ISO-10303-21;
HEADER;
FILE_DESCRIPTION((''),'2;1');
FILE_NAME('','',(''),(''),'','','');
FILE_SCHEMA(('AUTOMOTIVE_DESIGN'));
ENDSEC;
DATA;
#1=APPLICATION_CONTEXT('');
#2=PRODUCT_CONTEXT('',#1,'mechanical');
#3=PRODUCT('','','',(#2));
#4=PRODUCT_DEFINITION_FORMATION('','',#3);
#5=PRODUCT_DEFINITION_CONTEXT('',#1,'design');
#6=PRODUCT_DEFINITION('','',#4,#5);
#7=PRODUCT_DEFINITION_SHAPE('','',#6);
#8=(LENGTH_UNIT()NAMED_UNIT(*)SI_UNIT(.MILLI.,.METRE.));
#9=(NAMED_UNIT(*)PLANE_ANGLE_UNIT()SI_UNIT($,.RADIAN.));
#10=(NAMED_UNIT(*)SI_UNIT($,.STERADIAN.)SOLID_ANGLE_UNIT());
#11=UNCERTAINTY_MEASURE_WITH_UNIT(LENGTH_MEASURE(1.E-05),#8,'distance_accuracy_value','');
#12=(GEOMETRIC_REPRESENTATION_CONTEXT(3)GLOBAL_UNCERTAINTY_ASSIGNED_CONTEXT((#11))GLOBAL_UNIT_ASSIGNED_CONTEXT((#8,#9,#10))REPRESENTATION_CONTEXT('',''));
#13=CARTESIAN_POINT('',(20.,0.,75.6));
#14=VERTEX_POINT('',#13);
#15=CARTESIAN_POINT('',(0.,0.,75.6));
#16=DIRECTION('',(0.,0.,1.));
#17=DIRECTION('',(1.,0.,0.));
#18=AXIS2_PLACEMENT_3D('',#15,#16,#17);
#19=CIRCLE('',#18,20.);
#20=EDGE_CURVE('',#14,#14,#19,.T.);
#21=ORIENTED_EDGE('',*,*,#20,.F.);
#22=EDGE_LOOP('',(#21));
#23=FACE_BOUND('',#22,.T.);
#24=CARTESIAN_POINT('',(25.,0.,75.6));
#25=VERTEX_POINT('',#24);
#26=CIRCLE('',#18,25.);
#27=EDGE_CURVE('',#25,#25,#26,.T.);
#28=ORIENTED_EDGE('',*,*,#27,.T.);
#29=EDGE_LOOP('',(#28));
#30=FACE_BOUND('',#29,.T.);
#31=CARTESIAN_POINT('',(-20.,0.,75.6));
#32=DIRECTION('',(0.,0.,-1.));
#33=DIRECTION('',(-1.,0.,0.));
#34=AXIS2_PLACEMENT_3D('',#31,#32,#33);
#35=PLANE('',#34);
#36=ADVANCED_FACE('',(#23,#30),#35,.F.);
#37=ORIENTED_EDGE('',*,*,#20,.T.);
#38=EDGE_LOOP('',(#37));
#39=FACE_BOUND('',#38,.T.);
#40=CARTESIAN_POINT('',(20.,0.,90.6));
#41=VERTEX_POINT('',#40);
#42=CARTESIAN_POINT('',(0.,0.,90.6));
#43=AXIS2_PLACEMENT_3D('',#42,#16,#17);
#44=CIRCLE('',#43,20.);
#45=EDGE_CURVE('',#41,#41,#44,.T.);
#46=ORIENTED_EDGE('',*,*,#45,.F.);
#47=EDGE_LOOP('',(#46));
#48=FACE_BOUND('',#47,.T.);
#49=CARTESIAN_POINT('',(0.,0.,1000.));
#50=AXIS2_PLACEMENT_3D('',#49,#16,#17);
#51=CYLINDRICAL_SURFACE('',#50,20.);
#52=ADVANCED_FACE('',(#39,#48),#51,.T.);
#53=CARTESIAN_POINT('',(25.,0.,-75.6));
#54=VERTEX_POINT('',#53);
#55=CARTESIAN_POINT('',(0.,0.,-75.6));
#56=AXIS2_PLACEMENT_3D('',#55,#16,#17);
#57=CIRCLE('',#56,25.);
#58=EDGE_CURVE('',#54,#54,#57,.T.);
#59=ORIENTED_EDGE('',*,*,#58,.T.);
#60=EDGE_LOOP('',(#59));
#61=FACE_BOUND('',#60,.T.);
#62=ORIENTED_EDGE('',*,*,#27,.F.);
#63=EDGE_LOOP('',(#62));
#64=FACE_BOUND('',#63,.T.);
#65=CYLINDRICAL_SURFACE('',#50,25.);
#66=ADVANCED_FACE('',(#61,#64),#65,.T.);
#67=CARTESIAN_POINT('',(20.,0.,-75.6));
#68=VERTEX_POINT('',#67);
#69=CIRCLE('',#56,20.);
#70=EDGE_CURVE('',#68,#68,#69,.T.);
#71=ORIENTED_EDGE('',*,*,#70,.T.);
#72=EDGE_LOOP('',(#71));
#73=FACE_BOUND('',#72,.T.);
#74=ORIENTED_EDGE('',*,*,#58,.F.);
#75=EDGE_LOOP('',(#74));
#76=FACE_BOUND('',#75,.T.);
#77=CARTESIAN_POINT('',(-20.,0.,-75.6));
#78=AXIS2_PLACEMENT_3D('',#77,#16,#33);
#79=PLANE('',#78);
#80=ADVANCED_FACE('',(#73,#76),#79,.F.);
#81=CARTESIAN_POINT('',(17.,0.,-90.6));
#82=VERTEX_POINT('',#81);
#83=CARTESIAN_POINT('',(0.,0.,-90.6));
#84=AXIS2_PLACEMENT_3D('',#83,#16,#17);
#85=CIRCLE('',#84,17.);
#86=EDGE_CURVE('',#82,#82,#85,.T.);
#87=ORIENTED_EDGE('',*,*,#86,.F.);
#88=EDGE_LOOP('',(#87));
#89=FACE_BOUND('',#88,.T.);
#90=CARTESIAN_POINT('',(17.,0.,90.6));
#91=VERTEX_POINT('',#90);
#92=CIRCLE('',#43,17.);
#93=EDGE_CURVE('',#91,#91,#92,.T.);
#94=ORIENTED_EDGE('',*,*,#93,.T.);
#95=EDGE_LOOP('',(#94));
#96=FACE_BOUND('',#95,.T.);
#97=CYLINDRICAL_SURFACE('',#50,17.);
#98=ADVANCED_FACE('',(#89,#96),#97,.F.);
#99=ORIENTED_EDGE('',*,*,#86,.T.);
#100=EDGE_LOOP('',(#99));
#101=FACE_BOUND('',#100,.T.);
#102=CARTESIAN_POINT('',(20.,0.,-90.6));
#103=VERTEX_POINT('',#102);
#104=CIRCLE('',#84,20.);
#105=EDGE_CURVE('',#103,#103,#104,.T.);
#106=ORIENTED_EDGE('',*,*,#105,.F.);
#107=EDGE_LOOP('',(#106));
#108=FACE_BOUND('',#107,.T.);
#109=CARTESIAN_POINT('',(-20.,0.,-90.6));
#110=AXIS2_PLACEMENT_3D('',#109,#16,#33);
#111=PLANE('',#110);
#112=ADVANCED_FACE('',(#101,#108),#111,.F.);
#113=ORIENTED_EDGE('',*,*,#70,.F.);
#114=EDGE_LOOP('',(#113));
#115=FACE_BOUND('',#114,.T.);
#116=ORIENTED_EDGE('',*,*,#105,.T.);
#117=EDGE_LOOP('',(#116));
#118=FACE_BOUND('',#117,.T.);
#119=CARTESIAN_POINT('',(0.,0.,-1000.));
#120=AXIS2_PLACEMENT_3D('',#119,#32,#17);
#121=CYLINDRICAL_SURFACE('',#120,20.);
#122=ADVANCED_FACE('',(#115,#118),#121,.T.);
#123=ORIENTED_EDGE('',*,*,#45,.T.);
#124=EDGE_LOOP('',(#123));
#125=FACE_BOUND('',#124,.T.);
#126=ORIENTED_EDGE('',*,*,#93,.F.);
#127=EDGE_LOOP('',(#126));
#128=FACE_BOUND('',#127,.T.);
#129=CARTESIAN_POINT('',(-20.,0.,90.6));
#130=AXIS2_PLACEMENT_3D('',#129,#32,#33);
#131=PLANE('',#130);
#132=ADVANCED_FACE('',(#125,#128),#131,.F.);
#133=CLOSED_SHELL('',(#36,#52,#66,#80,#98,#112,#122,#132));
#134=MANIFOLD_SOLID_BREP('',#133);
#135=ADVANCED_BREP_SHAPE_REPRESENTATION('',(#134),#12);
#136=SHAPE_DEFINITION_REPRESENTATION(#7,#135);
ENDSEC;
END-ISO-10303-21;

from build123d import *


with BuildPart() as part:
    # Эскиз1 → Повернуть1 (revolve)
    with BuildSketch(Plane(origin=(0, 0, 0), x_dir=(1, 0, 0), z_dir=(0, 1, 0)), mode=Mode.PRIVATE) as revolve_1_sk:
        Polygon((-25, 0), (-17, 0), (-17, -90.6), (-20, -90.6), (-20, -75.6), (-25, -75.6), align=None)
    revolve_1 = revolve(revolve_1_sk.sketch.rotate(Axis((0, 0, 1000), (0, 0, -1)), 180), axis=Axis((0, 0, 1000), (0, 0, -1)))

    # Зеркальное отражение1: Повернуть1 across plane
    add(revolve_1.mirror(Plane(origin=(-25, 0, 0), x_dir=(1, 0, 0), z_dir=(0, 0, 1))))


solid = part.part
